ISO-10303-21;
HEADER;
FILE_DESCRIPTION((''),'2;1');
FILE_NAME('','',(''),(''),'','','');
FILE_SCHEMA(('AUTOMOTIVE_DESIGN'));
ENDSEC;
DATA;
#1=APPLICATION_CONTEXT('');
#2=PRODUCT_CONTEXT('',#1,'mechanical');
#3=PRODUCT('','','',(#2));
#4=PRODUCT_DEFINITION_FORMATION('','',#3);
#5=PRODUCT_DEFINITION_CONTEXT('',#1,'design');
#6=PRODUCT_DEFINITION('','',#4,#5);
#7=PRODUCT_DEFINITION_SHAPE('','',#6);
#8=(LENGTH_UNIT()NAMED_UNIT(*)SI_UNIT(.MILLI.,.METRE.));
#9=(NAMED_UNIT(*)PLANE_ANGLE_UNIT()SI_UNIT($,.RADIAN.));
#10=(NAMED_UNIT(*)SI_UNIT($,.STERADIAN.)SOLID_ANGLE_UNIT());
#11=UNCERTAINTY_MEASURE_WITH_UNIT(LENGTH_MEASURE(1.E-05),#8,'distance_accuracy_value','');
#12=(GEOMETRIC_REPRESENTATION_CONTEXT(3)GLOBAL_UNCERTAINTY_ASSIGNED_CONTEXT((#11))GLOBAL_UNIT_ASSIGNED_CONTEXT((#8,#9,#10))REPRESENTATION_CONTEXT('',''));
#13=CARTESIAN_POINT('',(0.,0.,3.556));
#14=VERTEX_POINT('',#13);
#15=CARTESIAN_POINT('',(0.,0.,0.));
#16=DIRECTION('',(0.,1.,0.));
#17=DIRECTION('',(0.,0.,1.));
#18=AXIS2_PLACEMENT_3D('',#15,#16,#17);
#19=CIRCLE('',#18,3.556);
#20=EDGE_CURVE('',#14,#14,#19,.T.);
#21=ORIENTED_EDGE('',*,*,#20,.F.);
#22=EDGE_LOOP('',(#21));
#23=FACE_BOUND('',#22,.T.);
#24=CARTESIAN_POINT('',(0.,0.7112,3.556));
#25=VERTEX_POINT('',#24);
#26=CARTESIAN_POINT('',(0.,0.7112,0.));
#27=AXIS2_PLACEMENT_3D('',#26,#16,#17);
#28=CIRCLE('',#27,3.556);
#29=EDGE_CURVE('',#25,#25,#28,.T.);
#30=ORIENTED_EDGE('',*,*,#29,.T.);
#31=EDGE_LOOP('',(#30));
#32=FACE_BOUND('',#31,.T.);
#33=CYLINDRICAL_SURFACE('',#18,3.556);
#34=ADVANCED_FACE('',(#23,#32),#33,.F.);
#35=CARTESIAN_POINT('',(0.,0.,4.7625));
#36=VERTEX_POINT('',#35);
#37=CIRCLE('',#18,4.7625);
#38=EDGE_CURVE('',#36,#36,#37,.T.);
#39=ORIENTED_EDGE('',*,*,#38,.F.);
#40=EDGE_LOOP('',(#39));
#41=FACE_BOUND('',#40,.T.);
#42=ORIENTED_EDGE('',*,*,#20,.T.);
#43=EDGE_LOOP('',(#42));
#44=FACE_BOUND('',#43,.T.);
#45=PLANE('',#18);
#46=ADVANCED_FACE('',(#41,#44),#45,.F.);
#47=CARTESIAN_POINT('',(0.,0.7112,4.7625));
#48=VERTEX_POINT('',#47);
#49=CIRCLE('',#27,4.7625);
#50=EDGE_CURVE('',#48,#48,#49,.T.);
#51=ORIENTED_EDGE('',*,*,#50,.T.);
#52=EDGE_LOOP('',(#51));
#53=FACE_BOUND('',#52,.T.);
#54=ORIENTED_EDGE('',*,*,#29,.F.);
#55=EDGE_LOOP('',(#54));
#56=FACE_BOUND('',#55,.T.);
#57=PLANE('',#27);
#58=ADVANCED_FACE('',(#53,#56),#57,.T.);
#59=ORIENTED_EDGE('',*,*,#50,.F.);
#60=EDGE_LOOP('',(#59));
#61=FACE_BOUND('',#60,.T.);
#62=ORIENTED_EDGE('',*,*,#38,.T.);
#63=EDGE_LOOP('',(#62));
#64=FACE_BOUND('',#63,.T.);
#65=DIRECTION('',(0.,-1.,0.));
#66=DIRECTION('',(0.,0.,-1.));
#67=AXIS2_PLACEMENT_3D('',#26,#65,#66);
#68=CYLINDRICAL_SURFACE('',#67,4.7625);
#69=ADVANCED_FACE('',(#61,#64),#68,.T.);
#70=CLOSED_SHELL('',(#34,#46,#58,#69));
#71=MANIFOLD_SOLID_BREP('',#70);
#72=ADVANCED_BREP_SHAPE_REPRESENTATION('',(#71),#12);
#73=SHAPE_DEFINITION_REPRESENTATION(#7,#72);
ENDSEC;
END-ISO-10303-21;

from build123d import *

# Parameters (mm, degrees)
SKETCH1_R           = 4.7625
BOSS_EXTRUDE1_DEPTH = 0.7112
SKETCH5_R           = 3.556
CUT_EXTRUDE1_DEPTH  = 1.7112


with BuildPart() as part:
    # Sketch1 → Boss-Extrude1 (new body)
    with BuildSketch(Plane(origin=(0, 0, 0), x_dir=(1, 0, 0), z_dir=(0, 1, 0))):
        Circle(SKETCH1_R)
    extrude(amount=BOSS_EXTRUDE1_DEPTH)

    # Sketch5 → Cut-Extrude1 (cut, through all)
    with BuildSketch(Plane(origin=(0, 0.7112, 0), x_dir=(-1, 0, 0), z_dir=(0, 1, 0))):
        Circle(SKETCH5_R)
    extrude(amount=-CUT_EXTRUDE1_DEPTH, mode=Mode.SUBTRACT)


solid = part.part
